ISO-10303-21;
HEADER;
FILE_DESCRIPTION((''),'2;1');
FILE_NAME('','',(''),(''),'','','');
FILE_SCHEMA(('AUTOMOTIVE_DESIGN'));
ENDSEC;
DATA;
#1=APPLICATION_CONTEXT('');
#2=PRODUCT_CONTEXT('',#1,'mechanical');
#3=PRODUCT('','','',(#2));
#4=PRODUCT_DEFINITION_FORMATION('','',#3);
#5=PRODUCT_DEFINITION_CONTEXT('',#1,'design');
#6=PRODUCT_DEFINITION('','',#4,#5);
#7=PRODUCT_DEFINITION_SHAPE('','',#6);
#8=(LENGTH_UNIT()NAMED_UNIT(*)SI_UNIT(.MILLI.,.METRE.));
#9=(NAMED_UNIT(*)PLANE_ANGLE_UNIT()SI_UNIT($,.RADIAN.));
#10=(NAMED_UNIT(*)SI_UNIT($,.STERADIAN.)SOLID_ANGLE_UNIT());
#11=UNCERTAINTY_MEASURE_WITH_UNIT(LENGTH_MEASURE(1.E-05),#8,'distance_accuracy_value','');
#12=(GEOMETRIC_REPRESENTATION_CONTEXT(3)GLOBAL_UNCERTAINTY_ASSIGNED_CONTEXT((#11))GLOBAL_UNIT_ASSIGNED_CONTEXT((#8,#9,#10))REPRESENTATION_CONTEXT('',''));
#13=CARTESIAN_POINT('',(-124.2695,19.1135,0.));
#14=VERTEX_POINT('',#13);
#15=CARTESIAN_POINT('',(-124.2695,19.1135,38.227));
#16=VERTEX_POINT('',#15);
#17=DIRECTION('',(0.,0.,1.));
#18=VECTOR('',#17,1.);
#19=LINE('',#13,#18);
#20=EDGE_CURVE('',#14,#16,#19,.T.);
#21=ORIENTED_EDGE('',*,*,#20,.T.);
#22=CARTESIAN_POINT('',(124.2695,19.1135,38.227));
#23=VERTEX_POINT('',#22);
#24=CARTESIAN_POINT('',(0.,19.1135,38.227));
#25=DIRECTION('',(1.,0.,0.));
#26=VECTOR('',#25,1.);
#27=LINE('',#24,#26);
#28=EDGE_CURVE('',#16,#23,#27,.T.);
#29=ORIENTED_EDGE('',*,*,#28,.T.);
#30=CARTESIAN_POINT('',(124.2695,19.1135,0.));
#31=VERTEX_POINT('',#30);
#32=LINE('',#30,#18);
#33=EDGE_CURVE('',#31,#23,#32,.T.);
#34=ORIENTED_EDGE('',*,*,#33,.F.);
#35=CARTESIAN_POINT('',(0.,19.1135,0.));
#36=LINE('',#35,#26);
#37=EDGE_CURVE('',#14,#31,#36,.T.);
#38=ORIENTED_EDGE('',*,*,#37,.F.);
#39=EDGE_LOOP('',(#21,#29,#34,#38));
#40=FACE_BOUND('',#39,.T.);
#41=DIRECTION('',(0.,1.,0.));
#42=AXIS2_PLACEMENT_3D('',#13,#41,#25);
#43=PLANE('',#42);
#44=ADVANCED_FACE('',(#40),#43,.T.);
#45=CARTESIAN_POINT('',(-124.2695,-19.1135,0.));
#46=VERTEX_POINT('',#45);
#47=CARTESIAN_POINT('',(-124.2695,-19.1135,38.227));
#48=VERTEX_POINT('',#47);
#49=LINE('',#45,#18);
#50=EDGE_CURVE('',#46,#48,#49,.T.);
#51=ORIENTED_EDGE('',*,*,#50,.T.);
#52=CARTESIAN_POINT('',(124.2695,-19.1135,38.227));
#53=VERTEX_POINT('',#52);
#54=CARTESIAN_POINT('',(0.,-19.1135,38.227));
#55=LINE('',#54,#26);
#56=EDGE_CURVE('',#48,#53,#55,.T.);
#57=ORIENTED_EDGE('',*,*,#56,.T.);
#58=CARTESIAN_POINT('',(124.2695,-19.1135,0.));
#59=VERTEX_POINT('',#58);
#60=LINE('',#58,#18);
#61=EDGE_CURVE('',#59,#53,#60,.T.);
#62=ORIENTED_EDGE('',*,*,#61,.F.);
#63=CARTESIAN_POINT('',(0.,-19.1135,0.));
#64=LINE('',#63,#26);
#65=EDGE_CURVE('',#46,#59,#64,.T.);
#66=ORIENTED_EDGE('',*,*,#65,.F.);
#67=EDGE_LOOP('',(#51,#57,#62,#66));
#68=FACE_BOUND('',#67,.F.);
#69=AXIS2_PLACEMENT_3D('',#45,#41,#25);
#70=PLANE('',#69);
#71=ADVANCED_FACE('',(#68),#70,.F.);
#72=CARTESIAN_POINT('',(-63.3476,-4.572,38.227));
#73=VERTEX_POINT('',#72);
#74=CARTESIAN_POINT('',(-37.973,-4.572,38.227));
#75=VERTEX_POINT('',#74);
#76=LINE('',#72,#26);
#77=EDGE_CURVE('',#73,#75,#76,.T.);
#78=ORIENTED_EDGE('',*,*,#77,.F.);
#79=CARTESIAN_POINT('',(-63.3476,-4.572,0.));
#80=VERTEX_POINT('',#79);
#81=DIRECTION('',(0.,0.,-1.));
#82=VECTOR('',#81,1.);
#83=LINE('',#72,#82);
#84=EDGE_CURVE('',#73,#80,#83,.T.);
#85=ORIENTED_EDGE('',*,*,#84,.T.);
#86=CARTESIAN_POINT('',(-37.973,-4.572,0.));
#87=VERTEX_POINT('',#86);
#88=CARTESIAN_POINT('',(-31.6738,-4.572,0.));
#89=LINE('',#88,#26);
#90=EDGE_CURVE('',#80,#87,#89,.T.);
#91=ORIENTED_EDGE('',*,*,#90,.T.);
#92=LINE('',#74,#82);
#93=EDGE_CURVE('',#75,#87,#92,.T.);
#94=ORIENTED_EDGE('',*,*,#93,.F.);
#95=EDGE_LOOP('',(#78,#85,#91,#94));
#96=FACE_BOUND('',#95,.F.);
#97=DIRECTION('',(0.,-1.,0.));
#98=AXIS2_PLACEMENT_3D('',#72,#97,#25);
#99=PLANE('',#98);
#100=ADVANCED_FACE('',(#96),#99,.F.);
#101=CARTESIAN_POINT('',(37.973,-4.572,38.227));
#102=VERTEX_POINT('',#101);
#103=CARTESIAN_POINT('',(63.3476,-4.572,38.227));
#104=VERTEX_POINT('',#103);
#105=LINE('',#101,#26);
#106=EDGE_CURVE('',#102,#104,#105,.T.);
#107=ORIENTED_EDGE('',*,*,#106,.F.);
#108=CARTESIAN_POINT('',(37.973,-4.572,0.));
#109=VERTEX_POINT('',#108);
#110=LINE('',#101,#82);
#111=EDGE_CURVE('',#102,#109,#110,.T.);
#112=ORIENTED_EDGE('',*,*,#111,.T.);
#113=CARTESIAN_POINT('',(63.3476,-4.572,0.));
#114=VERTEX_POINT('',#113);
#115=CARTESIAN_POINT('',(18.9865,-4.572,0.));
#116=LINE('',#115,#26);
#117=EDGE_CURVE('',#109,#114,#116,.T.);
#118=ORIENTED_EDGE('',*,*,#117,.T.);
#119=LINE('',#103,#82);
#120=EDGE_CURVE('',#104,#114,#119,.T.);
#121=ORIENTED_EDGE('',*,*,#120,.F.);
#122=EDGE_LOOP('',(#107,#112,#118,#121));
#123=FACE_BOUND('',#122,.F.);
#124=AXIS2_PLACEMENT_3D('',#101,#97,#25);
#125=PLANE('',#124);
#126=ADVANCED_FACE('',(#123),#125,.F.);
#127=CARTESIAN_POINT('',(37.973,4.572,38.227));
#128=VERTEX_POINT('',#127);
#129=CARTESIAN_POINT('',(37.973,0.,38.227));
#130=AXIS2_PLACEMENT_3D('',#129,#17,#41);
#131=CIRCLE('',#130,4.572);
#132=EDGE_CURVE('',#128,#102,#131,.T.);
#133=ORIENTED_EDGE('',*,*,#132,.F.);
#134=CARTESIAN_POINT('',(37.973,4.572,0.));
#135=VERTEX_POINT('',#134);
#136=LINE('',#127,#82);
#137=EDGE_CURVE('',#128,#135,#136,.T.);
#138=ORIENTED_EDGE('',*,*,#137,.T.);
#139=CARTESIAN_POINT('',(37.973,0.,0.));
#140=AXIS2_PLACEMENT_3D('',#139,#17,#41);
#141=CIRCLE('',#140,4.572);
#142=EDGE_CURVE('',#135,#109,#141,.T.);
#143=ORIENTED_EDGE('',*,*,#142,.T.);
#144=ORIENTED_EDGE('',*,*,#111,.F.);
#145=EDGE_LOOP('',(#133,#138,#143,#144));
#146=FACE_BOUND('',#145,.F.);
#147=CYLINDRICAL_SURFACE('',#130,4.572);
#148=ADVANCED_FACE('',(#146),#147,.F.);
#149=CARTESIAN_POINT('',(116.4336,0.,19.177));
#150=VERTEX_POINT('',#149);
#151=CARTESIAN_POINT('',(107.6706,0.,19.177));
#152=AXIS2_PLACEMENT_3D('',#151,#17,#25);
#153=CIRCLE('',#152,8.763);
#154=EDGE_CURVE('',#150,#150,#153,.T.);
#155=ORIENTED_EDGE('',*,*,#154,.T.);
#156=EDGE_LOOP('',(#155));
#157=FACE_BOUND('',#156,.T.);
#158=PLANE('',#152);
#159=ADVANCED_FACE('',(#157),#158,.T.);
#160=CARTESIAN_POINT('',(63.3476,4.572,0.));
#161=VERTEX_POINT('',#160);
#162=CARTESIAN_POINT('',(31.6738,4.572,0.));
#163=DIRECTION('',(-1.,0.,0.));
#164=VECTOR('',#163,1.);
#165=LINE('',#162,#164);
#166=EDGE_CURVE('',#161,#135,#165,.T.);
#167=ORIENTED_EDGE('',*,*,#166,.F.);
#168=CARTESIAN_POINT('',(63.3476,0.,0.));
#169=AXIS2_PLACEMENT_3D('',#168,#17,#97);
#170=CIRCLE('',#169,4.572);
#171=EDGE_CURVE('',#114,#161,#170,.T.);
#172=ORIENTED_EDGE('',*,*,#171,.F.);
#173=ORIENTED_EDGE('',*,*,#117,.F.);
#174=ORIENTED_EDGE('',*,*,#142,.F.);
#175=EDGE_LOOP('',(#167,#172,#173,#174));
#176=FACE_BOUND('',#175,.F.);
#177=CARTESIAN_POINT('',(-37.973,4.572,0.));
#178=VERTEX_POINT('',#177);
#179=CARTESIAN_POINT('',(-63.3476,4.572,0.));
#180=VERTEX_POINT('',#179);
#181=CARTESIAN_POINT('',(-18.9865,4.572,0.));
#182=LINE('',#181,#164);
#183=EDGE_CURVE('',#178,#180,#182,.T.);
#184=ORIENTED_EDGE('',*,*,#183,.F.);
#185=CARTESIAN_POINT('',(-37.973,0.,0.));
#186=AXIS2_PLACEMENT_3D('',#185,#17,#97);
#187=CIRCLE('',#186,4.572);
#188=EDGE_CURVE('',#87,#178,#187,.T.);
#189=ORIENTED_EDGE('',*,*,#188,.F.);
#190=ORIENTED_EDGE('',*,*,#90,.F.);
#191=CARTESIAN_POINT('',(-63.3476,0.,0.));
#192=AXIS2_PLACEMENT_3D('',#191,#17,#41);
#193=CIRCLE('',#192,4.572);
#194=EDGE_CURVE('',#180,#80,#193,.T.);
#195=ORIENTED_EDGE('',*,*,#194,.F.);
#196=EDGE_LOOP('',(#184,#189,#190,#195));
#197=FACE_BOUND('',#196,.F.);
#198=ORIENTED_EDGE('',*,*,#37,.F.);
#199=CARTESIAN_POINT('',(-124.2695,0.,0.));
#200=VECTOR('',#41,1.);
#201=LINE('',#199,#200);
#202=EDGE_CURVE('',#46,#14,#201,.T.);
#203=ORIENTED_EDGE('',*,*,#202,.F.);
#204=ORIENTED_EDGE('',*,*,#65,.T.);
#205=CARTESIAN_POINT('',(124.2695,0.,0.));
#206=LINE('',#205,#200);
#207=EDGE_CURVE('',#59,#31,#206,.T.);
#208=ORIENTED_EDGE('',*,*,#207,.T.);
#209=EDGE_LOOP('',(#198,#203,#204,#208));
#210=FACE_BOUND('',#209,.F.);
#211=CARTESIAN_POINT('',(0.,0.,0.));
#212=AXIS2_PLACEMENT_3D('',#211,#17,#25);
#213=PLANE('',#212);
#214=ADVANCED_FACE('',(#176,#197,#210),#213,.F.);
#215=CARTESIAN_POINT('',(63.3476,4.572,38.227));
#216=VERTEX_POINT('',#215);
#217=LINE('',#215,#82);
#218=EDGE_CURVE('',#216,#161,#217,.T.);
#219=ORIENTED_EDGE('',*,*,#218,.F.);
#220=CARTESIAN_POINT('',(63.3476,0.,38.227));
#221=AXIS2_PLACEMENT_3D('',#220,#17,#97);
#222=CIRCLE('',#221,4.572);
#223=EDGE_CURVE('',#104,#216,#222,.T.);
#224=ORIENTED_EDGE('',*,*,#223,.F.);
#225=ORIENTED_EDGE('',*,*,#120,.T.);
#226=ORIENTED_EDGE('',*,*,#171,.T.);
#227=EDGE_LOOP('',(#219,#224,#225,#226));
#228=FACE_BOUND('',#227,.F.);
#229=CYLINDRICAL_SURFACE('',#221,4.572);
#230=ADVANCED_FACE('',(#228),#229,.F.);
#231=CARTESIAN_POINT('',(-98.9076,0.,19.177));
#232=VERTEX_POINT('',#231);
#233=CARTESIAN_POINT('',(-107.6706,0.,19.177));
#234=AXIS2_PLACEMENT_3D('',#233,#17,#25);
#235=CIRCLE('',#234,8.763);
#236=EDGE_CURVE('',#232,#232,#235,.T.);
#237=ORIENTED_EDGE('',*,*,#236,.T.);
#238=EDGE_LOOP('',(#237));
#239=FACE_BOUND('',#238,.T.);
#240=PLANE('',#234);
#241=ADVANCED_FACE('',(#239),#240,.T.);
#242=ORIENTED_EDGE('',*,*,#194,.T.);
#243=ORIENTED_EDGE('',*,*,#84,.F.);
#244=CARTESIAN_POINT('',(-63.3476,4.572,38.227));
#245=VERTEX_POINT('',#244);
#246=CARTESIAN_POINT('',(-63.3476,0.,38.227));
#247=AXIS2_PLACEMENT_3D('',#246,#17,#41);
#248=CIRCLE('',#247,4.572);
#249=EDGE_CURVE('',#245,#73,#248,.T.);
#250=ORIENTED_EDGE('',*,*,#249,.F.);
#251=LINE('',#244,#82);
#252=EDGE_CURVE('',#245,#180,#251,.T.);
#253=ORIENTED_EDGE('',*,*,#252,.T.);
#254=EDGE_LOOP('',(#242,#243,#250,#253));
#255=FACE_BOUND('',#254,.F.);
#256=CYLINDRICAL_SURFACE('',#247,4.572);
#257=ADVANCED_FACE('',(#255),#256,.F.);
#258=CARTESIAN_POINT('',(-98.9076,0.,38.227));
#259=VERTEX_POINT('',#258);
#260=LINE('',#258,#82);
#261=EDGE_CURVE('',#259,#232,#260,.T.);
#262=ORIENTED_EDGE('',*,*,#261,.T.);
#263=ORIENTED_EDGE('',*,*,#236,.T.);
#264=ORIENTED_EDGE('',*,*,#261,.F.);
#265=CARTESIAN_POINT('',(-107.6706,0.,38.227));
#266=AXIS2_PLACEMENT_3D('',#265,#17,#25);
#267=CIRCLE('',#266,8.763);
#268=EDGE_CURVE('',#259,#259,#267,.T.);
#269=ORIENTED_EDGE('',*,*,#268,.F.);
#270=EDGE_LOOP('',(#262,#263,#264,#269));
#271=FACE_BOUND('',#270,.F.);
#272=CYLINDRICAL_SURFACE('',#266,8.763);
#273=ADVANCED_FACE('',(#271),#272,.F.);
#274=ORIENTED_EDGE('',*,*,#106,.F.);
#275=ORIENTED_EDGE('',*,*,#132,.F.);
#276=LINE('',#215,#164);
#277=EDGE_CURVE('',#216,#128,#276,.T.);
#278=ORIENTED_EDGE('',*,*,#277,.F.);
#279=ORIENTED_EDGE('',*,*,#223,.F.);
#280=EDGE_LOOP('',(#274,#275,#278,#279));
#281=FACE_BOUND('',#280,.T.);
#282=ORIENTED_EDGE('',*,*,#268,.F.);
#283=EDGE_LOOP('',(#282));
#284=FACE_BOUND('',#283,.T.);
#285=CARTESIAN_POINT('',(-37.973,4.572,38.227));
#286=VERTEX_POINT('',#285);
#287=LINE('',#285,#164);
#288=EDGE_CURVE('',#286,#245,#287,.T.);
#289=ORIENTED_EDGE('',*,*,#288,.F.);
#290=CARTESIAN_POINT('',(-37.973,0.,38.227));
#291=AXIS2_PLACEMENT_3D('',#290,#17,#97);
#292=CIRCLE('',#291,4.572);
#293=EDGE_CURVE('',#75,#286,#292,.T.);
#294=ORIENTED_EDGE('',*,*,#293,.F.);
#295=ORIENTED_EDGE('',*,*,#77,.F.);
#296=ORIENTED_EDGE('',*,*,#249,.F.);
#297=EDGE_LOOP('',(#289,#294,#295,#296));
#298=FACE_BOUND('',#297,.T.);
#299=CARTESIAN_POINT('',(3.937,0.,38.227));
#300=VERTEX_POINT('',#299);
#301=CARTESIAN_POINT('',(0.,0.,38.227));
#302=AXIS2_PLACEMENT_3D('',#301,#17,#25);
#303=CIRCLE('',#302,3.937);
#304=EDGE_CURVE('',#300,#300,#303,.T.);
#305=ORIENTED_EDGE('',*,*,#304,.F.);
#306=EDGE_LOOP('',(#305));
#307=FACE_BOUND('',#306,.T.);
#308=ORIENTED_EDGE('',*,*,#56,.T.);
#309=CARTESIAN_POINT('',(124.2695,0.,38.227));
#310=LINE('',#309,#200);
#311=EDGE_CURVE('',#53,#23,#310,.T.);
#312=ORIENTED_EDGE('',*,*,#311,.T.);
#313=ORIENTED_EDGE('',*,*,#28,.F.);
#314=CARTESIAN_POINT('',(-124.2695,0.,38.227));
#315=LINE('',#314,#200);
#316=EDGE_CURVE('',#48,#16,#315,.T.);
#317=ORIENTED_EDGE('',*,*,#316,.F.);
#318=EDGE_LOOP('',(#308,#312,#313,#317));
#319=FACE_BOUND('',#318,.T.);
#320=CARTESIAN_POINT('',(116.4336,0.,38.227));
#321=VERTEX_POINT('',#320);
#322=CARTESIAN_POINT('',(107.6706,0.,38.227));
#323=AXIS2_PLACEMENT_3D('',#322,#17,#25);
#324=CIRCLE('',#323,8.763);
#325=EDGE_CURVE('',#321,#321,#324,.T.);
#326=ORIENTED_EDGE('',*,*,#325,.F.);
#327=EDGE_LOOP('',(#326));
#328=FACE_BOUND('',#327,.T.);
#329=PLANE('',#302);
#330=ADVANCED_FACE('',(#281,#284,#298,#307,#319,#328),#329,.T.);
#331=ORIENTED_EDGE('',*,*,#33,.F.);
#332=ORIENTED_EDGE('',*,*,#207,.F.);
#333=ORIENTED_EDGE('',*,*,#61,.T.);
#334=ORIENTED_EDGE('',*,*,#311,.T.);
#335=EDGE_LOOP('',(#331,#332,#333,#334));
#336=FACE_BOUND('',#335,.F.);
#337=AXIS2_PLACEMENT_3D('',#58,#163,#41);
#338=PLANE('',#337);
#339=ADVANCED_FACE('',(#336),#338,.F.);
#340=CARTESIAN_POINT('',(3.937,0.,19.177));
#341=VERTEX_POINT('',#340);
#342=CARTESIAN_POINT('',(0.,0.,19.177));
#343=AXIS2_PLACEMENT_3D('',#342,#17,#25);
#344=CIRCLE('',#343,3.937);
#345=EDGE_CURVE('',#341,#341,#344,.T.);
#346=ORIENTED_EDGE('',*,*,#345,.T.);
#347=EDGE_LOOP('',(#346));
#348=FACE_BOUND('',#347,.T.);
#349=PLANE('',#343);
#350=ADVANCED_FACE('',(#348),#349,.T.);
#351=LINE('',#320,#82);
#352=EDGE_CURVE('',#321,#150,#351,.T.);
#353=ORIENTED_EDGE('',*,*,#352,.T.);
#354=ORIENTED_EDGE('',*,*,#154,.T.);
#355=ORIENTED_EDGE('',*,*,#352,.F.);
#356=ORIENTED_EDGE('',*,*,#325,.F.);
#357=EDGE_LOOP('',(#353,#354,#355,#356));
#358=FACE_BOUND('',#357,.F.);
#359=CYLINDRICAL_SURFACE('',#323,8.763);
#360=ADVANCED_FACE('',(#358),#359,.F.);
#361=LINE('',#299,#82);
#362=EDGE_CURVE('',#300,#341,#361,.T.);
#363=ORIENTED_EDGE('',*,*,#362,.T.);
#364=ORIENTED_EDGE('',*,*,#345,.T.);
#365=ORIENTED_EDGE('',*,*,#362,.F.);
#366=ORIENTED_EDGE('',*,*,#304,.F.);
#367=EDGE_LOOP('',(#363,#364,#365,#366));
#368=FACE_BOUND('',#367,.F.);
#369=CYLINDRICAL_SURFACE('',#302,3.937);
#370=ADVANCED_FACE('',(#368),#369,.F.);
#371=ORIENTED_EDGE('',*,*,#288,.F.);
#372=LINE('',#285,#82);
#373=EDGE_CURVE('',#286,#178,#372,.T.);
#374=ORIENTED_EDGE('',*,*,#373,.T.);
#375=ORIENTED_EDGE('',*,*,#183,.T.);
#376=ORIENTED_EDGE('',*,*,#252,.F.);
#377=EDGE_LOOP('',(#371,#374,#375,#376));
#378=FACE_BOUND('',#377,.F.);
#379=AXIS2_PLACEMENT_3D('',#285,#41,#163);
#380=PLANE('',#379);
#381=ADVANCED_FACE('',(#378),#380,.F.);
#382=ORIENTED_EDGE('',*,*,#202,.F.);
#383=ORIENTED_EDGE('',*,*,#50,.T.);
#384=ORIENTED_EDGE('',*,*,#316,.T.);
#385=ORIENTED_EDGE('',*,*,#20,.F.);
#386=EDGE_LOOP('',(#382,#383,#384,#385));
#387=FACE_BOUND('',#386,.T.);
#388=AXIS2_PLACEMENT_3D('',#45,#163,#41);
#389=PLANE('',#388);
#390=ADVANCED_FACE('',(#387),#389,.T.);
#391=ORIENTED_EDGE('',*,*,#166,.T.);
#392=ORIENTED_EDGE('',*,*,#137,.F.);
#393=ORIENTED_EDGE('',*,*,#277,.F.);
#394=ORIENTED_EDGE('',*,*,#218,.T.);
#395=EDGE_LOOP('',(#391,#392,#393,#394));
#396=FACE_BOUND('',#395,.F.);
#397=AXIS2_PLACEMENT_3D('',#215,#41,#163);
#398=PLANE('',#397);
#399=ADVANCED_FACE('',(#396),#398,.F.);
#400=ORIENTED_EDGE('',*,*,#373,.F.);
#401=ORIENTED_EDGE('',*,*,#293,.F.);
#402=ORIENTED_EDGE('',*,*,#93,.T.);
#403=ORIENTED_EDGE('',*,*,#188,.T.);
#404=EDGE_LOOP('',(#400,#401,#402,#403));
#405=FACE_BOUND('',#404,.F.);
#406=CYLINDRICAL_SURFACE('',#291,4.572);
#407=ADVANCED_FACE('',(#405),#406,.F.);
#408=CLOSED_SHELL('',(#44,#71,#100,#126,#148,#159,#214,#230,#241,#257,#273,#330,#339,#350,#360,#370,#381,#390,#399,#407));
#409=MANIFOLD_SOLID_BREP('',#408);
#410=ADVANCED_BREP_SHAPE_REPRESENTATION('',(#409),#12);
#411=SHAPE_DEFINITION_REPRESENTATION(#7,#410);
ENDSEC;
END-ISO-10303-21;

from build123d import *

# Parameters (mm, degrees)
F0_W     = 248.539
F0_H     = 38.227
F1_DEPTH = 38.227
F2_R     = 8.763
F2_R_2   = 3.937
F3_DEPTH = 19.05
F5_DEPTH = 38.228


with BuildPart() as f1:
    # F0 (on Top) → F1 (new body)
    with BuildSketch(Plane.XY):
        Rectangle(F0_W, F0_H)
    extrude(amount=F1_DEPTH)

    # F2 (on face) → F3 (cut)
    with BuildSketch(Plane.XY.offset(38.227)):
        with Locations((-107.6706, 0)):
            Circle(F2_R)
        Circle(F2_R_2)
        with Locations((107.6706, 0)):
            Circle(F2_R)
    extrude(amount=-F3_DEPTH, mode=Mode.SUBTRACT)

    # F4 (on face) → F5 (cut, through all)
    with BuildSketch(Plane.XY.offset(38.227)):
        with BuildLine():
            Line((-37.973, 4.572), (-63.3476, 4.572))
            ThreePointArc((-63.3476, 4.572), (-67.9196, 0), (-63.3476, -4.572))
            Line((-63.3476, -4.572), (-37.973, -4.572))
            ThreePointArc((-37.973, -4.572), (-33.401, 0), (-37.973, 4.572))
        make_face()
        with BuildLine():
            ThreePointArc((37.973, 4.572), (33.401, 0), (37.973, -4.572))
            Line((37.973, -4.572), (63.3476, -4.572))
            ThreePointArc((63.3476, -4.572), (67.9196, 0), (63.3476, 4.572))
            Line((63.3476, 4.572), (37.973, 4.572))
        make_face()
    extrude(amount=-F5_DEPTH, mode=Mode.SUBTRACT)


solid = f1.part
